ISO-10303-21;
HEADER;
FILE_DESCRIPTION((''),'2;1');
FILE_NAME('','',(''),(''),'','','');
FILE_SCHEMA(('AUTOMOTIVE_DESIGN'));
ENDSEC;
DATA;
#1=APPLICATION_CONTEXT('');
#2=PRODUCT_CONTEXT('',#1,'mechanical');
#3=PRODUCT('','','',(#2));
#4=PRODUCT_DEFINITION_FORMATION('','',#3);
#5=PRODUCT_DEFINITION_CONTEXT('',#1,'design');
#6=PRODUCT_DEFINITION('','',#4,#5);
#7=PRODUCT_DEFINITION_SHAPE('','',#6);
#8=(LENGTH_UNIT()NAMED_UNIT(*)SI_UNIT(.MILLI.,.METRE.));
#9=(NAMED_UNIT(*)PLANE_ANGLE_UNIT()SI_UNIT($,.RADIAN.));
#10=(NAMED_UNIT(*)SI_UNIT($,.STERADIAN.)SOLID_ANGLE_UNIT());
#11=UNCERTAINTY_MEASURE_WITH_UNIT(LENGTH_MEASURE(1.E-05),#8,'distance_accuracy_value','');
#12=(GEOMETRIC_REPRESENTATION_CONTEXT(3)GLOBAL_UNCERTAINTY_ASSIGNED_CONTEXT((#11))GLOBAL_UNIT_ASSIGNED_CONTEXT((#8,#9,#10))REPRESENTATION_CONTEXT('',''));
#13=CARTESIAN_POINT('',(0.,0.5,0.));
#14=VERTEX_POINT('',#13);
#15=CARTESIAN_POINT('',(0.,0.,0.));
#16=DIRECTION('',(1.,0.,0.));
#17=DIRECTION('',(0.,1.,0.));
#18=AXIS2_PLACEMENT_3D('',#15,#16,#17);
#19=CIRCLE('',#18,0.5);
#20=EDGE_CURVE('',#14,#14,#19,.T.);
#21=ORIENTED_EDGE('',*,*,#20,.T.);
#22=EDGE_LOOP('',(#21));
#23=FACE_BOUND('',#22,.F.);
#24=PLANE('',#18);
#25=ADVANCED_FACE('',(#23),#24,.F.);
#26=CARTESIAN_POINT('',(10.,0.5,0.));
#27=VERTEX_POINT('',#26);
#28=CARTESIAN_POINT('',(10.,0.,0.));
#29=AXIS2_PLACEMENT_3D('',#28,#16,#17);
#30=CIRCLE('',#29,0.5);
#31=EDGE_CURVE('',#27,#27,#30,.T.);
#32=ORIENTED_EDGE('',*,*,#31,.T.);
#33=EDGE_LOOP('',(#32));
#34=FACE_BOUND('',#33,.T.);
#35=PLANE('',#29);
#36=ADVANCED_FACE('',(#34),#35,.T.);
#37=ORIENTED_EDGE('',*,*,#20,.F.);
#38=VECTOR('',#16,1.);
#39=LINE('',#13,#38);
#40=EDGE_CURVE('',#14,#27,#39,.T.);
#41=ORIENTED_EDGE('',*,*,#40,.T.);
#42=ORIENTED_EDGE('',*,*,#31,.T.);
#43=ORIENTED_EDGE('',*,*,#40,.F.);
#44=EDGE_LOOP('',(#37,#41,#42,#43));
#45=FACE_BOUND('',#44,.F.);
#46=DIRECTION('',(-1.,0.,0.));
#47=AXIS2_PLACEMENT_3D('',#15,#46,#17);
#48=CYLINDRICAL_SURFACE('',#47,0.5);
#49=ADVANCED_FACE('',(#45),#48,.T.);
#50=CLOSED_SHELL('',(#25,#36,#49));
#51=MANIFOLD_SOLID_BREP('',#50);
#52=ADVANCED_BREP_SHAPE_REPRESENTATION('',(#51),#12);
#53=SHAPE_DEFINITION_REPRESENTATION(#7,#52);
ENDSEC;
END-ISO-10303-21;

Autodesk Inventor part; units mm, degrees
ref_plane "YZ Plane" through (0, 0, 0) normal (1, 0, 0) x (0, 1, 0)
ref_plane "XZ Plane" through (0, 0, 0) normal (0, 1, 0) x (-1, 0, 0)
ref_plane "XY Plane" through (0, 0, 0) normal (0, 0, 1) x (1, 0, 0)
sketch "Boceto1" plane through (0, 0, 0) normal (1, 0, 0) x (0, 1, 0)
  circle A0 centre (0, 0) radius 0.5
  dimension "d0" = 1
extrude "Extrusión1" add sketch "Boceto1" along normal blind 10
sketch "Boceto2" plane through (10, 0, 0) normal (1, 0, 0) x (0, 0, -1)
  circle A0 centre (0, 0) radius 0.5 projected
sketch "Sketch3" plane through (0, 0, 0) normal (-1, 0, 0) x (0, 0, 1)
  circle A0 centre (0, 0) radius 0.5 projected
sketch "Sketch4" plane through (10, 0, 0) normal (1, 0, 0) x (0, 0, -1)
  circle A0 centre (0, 0) radius 0.5 projected
properties part number "Thermistor"
